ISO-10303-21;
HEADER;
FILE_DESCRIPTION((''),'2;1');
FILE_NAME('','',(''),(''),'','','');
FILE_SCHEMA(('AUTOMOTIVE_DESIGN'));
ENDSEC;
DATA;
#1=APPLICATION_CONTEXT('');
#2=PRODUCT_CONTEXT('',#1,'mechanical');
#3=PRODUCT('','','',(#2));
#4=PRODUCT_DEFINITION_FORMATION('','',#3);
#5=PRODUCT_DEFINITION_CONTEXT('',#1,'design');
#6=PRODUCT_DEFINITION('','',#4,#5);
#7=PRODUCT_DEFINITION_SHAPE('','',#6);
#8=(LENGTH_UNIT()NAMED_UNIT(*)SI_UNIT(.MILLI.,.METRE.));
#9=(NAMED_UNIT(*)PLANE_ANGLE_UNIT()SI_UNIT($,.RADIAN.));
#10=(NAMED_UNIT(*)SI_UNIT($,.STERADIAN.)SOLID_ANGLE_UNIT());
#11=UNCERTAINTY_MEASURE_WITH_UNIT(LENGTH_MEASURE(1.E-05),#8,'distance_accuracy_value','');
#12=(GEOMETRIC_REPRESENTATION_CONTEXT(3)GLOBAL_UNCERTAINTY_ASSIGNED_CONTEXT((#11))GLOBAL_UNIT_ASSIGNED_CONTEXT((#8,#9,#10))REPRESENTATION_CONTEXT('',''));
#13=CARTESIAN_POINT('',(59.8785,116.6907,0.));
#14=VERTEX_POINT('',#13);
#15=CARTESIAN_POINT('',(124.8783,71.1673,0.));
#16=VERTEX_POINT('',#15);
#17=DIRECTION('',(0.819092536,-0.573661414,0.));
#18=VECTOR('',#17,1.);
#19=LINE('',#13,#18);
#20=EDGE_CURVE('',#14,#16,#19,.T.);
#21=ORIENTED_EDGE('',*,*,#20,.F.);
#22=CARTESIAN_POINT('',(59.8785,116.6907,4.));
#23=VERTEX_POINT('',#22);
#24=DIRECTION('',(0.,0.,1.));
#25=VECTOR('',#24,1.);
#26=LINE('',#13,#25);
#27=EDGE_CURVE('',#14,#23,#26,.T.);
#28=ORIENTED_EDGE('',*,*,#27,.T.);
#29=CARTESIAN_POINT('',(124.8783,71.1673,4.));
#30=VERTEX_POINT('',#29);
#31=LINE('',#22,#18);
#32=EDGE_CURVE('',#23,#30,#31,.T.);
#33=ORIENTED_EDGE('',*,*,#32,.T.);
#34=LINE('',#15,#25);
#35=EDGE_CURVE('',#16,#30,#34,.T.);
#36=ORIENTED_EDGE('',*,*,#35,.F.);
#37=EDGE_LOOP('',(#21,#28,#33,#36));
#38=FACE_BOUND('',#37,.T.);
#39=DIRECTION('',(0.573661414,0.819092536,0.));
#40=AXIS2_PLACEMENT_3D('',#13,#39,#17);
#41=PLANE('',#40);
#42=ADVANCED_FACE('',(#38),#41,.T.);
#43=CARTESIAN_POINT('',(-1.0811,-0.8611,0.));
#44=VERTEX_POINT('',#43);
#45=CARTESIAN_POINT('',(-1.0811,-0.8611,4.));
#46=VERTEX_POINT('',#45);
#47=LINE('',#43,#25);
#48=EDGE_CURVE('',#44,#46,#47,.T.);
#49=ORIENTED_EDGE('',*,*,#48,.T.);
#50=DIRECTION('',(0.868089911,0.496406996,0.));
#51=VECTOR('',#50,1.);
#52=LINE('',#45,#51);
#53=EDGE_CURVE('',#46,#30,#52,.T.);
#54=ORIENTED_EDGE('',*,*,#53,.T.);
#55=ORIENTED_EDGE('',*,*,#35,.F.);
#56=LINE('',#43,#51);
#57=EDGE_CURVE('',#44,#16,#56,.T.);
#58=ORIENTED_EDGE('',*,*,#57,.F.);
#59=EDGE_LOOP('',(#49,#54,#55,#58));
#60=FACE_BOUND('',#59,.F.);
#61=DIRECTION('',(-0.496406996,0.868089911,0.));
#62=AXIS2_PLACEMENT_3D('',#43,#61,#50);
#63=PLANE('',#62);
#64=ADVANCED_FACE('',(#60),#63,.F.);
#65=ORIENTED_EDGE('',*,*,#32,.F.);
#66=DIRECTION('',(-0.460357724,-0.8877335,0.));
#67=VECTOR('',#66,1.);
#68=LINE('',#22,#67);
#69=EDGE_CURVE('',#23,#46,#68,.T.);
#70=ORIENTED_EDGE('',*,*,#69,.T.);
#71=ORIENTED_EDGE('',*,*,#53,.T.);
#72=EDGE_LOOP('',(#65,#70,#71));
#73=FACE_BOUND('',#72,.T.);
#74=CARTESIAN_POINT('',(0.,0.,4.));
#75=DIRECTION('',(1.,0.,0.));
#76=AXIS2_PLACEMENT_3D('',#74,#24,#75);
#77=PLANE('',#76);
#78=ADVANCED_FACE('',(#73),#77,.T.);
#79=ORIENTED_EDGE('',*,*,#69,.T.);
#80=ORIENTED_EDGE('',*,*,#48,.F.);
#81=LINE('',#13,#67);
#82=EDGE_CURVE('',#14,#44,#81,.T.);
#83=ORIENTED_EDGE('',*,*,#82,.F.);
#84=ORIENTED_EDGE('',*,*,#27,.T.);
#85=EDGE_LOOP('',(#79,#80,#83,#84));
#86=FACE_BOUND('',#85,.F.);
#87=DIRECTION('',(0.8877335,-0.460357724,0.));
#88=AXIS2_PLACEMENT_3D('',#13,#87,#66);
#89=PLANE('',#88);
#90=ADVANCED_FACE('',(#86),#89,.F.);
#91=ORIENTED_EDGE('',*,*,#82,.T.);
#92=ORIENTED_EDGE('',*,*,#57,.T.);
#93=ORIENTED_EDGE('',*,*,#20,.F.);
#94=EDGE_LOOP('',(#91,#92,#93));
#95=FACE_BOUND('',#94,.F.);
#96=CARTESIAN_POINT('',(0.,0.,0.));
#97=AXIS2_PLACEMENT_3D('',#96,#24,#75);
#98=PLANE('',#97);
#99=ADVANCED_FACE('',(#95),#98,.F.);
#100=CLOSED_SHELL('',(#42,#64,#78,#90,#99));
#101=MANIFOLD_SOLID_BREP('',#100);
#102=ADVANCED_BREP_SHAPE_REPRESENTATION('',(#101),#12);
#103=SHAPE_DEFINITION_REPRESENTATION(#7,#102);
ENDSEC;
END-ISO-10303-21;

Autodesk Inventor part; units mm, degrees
ref_plane "YZ Plane" through (0, 0, 0) normal (1, 0, 0) x (0, 1, 0)
ref_plane "XZ Plane" through (0, 0, 0) normal (0, 1, 0) x (-1, 0, 0)
ref_plane "XY Plane" through (0, 0, 0) normal (0, 0, 1) x (1, 0, 0)
sketch "Sketch1" plane through (0, 0, 0) normal (0, 0, 1) x (1, 0, 0)
  line L0 (124.8783, 71.1673) -> (166.7462, -5.9795)
  line L1 (166.7462, -5.9795) -> (-1.0811, -0.8611)
  line L2 (-1.0811, -0.8611) -> (124.8783, 71.1673)
  line L3 (59.8785, 116.6907) -> (124.8783, 71.1673)
  line L4 (59.8785, 116.6907) -> (-1.0811, -0.8611)
  point P0 (0, 0)
extrude "Extrusion1" add sketch "Sketch1" along normal blind 4 contours L2 L4 L3
properties part number "1"
